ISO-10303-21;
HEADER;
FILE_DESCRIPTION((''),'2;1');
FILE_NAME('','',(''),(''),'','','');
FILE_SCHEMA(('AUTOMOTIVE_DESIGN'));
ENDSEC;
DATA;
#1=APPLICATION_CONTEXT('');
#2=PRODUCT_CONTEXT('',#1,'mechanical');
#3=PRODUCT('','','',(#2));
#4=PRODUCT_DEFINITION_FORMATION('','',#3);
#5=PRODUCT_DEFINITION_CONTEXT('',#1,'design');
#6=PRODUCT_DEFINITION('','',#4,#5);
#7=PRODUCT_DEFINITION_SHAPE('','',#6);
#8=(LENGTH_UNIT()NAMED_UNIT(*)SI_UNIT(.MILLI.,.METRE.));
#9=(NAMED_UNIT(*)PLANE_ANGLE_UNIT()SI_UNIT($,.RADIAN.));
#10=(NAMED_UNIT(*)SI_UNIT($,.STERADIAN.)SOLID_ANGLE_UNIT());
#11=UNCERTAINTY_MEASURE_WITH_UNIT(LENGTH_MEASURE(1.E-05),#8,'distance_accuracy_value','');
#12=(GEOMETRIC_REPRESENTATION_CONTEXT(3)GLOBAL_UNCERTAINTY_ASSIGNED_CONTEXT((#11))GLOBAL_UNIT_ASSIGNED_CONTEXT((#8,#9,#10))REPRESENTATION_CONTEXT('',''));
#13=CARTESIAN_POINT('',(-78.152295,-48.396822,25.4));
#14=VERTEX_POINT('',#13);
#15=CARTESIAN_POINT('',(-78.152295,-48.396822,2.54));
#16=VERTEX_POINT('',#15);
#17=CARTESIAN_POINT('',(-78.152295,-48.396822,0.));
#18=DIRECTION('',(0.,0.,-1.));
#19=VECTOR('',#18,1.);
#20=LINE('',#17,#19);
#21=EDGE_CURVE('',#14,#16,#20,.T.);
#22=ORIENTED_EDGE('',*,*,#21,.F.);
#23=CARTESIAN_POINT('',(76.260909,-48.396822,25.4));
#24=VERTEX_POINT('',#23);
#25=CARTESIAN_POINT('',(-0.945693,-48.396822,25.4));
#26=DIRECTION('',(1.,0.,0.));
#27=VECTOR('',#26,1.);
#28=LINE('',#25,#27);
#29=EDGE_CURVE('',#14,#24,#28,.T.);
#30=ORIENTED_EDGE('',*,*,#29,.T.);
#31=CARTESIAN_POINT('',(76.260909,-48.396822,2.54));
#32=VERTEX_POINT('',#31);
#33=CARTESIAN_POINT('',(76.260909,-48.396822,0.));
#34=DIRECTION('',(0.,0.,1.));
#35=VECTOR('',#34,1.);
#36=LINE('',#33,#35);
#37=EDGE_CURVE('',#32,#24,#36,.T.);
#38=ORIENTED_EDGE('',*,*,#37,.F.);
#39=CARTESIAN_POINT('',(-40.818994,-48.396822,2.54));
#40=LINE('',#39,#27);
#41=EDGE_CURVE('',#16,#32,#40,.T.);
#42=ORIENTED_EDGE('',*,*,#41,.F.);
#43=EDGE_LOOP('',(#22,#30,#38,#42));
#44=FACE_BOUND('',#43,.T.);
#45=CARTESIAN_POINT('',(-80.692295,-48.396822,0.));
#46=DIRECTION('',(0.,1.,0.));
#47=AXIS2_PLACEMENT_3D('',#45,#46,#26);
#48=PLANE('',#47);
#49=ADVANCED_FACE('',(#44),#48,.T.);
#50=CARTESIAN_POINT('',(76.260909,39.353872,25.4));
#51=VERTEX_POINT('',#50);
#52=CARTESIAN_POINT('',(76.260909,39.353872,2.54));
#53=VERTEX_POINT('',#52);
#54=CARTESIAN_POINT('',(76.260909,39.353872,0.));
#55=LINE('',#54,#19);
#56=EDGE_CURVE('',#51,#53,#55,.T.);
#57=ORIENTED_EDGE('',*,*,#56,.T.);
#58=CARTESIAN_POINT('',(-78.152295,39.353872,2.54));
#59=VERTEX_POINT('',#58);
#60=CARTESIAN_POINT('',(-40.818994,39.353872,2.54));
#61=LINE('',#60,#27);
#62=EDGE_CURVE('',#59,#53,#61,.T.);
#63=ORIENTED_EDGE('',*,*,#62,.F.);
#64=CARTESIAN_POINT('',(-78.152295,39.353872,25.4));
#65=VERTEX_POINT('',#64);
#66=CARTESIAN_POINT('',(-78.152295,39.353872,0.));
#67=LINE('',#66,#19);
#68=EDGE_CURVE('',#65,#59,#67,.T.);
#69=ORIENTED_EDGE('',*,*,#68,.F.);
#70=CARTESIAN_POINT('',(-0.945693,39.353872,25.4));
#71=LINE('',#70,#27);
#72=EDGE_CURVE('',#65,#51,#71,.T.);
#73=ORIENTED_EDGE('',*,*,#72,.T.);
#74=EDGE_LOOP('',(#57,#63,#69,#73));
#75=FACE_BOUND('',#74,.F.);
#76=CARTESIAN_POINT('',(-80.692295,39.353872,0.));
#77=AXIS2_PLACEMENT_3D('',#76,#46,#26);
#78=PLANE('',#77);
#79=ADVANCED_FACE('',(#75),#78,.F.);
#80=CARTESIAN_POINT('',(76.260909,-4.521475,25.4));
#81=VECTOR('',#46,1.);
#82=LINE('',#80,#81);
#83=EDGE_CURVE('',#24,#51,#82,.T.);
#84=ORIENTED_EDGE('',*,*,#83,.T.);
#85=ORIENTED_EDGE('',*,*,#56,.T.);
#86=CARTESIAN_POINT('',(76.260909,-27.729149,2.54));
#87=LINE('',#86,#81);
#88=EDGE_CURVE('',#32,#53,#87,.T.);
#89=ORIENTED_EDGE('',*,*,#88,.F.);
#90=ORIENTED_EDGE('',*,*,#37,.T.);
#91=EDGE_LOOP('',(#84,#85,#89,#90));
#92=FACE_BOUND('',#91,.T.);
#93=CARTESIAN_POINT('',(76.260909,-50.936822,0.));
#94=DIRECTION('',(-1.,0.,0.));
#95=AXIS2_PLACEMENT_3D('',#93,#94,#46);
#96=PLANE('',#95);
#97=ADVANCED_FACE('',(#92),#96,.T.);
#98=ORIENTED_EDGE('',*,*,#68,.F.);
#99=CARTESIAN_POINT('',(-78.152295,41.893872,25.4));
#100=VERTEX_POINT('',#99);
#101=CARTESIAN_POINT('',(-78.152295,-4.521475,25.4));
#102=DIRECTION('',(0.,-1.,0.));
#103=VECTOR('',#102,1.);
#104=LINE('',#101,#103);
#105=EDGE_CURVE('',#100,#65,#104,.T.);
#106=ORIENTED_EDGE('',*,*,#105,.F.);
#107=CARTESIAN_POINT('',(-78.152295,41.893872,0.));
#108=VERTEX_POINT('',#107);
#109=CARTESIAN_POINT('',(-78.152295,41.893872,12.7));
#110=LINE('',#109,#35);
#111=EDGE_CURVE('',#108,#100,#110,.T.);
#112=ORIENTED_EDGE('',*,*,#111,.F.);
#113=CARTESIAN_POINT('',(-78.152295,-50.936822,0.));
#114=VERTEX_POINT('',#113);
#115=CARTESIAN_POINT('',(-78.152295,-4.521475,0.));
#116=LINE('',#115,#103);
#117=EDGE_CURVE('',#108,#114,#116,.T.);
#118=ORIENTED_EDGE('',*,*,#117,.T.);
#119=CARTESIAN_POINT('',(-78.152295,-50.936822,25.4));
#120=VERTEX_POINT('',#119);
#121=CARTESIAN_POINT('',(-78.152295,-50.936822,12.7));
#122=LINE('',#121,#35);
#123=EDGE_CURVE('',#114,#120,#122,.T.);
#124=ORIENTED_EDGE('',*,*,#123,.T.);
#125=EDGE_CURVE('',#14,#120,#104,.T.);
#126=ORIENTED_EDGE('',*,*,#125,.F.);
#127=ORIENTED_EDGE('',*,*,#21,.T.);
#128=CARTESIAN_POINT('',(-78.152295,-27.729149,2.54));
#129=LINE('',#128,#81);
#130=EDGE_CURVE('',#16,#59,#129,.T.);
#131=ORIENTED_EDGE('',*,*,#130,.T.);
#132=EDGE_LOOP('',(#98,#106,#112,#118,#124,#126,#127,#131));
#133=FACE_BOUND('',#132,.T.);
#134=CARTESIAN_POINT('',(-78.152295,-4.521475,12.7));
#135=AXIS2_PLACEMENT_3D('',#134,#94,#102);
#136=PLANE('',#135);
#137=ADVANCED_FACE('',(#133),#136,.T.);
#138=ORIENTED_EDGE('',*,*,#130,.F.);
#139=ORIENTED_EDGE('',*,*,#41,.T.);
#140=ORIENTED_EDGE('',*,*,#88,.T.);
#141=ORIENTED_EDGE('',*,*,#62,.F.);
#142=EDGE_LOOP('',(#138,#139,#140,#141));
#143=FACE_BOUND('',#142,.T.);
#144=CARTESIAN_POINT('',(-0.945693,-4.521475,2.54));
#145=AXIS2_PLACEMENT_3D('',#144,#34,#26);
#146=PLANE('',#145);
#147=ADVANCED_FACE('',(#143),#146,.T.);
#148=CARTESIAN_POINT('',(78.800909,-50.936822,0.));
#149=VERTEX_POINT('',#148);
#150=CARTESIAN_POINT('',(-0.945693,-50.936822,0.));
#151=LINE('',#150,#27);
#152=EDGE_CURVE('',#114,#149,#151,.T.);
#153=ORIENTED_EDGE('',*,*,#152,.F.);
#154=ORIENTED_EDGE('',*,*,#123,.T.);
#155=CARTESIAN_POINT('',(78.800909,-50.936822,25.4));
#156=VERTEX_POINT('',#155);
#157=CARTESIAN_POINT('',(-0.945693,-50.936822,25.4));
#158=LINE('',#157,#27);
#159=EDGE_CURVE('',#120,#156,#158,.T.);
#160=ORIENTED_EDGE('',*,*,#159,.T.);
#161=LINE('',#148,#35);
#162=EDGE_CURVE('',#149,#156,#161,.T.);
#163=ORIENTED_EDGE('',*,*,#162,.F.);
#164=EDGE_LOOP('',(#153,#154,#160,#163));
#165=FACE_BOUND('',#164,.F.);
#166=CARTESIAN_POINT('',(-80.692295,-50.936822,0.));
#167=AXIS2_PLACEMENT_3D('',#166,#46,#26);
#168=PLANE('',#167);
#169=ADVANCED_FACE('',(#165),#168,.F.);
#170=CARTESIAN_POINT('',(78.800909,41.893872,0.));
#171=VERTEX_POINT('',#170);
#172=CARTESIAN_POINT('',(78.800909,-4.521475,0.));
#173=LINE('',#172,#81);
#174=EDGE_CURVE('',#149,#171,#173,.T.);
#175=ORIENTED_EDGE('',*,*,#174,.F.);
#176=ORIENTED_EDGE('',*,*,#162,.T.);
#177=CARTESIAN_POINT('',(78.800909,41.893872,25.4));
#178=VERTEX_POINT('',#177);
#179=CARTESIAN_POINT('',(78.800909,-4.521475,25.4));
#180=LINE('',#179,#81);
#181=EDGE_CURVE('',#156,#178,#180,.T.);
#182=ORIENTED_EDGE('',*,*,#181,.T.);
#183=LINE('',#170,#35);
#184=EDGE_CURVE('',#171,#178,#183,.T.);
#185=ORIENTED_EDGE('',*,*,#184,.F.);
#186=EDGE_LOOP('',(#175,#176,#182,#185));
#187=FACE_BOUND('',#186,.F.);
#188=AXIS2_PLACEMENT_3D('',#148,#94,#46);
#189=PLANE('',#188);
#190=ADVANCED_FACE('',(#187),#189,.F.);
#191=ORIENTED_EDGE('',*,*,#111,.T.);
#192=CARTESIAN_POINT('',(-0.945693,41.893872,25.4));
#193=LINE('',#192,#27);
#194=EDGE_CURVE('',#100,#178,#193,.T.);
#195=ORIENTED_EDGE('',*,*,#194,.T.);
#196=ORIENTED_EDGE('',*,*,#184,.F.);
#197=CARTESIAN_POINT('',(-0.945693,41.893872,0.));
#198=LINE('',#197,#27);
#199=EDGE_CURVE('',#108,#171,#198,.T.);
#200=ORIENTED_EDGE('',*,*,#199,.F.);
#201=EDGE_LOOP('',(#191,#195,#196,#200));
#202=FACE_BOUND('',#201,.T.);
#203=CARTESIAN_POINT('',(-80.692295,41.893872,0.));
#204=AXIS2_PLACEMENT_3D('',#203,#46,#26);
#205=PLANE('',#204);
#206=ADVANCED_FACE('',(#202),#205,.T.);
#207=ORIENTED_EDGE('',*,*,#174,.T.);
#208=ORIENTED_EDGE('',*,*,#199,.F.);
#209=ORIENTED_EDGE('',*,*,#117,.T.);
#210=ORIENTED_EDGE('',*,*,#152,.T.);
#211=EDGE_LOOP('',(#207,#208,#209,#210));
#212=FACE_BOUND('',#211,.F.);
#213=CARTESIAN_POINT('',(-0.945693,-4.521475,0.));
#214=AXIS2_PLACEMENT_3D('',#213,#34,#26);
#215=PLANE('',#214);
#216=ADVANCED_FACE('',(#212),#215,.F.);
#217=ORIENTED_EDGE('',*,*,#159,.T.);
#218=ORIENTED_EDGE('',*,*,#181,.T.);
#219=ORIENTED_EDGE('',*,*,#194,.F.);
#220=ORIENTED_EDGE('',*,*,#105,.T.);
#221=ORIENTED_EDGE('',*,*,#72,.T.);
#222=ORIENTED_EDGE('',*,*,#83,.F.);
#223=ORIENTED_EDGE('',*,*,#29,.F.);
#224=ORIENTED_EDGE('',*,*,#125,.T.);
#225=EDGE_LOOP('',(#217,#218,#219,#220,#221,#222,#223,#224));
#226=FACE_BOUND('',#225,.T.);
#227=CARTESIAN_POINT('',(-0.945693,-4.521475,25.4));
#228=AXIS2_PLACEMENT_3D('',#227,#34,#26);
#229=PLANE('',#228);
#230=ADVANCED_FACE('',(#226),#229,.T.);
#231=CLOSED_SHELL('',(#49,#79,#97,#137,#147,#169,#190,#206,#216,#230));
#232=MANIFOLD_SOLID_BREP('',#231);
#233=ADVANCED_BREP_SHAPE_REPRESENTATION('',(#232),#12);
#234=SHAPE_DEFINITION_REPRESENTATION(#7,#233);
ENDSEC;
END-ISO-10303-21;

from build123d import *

# Parameters (mm, degrees)
F0_W      = 159.493204
F0_H      = 92.830694
F1_DEPTH  = 25.4
F2_T      = -2.54
F1_FACE_W = 92.830694
F1_FACE_H = 25.4
F3_DEPTH  = 2.54


with BuildPart() as f1:
    # F0 (on Top) → F1 (new body)
    with BuildSketch(Plane.XY):
        with Locations((-0.945693, -4.521475)):
            Rectangle(F0_W, F0_H)
    extrude(amount=F1_DEPTH)

    # F2
    f2_openings = [f1.faces().sort_by_distance(p)[0] for p in [
        (-0.945693, -4.521475, 25.4),
    ]]
    offset(amount=F2_T, openings=f2_openings)

    # F1_face (on face) → F3 (cut)
    with BuildSketch(Plane(origin=(-80.692295, -4.521475, 12.7), x_dir=(0, -1, 0), z_dir=(-1, 0, 0))):
        Rectangle(F1_FACE_W, F1_FACE_H)
    extrude(amount=-F3_DEPTH, mode=Mode.SUBTRACT)


solid = f1.part
